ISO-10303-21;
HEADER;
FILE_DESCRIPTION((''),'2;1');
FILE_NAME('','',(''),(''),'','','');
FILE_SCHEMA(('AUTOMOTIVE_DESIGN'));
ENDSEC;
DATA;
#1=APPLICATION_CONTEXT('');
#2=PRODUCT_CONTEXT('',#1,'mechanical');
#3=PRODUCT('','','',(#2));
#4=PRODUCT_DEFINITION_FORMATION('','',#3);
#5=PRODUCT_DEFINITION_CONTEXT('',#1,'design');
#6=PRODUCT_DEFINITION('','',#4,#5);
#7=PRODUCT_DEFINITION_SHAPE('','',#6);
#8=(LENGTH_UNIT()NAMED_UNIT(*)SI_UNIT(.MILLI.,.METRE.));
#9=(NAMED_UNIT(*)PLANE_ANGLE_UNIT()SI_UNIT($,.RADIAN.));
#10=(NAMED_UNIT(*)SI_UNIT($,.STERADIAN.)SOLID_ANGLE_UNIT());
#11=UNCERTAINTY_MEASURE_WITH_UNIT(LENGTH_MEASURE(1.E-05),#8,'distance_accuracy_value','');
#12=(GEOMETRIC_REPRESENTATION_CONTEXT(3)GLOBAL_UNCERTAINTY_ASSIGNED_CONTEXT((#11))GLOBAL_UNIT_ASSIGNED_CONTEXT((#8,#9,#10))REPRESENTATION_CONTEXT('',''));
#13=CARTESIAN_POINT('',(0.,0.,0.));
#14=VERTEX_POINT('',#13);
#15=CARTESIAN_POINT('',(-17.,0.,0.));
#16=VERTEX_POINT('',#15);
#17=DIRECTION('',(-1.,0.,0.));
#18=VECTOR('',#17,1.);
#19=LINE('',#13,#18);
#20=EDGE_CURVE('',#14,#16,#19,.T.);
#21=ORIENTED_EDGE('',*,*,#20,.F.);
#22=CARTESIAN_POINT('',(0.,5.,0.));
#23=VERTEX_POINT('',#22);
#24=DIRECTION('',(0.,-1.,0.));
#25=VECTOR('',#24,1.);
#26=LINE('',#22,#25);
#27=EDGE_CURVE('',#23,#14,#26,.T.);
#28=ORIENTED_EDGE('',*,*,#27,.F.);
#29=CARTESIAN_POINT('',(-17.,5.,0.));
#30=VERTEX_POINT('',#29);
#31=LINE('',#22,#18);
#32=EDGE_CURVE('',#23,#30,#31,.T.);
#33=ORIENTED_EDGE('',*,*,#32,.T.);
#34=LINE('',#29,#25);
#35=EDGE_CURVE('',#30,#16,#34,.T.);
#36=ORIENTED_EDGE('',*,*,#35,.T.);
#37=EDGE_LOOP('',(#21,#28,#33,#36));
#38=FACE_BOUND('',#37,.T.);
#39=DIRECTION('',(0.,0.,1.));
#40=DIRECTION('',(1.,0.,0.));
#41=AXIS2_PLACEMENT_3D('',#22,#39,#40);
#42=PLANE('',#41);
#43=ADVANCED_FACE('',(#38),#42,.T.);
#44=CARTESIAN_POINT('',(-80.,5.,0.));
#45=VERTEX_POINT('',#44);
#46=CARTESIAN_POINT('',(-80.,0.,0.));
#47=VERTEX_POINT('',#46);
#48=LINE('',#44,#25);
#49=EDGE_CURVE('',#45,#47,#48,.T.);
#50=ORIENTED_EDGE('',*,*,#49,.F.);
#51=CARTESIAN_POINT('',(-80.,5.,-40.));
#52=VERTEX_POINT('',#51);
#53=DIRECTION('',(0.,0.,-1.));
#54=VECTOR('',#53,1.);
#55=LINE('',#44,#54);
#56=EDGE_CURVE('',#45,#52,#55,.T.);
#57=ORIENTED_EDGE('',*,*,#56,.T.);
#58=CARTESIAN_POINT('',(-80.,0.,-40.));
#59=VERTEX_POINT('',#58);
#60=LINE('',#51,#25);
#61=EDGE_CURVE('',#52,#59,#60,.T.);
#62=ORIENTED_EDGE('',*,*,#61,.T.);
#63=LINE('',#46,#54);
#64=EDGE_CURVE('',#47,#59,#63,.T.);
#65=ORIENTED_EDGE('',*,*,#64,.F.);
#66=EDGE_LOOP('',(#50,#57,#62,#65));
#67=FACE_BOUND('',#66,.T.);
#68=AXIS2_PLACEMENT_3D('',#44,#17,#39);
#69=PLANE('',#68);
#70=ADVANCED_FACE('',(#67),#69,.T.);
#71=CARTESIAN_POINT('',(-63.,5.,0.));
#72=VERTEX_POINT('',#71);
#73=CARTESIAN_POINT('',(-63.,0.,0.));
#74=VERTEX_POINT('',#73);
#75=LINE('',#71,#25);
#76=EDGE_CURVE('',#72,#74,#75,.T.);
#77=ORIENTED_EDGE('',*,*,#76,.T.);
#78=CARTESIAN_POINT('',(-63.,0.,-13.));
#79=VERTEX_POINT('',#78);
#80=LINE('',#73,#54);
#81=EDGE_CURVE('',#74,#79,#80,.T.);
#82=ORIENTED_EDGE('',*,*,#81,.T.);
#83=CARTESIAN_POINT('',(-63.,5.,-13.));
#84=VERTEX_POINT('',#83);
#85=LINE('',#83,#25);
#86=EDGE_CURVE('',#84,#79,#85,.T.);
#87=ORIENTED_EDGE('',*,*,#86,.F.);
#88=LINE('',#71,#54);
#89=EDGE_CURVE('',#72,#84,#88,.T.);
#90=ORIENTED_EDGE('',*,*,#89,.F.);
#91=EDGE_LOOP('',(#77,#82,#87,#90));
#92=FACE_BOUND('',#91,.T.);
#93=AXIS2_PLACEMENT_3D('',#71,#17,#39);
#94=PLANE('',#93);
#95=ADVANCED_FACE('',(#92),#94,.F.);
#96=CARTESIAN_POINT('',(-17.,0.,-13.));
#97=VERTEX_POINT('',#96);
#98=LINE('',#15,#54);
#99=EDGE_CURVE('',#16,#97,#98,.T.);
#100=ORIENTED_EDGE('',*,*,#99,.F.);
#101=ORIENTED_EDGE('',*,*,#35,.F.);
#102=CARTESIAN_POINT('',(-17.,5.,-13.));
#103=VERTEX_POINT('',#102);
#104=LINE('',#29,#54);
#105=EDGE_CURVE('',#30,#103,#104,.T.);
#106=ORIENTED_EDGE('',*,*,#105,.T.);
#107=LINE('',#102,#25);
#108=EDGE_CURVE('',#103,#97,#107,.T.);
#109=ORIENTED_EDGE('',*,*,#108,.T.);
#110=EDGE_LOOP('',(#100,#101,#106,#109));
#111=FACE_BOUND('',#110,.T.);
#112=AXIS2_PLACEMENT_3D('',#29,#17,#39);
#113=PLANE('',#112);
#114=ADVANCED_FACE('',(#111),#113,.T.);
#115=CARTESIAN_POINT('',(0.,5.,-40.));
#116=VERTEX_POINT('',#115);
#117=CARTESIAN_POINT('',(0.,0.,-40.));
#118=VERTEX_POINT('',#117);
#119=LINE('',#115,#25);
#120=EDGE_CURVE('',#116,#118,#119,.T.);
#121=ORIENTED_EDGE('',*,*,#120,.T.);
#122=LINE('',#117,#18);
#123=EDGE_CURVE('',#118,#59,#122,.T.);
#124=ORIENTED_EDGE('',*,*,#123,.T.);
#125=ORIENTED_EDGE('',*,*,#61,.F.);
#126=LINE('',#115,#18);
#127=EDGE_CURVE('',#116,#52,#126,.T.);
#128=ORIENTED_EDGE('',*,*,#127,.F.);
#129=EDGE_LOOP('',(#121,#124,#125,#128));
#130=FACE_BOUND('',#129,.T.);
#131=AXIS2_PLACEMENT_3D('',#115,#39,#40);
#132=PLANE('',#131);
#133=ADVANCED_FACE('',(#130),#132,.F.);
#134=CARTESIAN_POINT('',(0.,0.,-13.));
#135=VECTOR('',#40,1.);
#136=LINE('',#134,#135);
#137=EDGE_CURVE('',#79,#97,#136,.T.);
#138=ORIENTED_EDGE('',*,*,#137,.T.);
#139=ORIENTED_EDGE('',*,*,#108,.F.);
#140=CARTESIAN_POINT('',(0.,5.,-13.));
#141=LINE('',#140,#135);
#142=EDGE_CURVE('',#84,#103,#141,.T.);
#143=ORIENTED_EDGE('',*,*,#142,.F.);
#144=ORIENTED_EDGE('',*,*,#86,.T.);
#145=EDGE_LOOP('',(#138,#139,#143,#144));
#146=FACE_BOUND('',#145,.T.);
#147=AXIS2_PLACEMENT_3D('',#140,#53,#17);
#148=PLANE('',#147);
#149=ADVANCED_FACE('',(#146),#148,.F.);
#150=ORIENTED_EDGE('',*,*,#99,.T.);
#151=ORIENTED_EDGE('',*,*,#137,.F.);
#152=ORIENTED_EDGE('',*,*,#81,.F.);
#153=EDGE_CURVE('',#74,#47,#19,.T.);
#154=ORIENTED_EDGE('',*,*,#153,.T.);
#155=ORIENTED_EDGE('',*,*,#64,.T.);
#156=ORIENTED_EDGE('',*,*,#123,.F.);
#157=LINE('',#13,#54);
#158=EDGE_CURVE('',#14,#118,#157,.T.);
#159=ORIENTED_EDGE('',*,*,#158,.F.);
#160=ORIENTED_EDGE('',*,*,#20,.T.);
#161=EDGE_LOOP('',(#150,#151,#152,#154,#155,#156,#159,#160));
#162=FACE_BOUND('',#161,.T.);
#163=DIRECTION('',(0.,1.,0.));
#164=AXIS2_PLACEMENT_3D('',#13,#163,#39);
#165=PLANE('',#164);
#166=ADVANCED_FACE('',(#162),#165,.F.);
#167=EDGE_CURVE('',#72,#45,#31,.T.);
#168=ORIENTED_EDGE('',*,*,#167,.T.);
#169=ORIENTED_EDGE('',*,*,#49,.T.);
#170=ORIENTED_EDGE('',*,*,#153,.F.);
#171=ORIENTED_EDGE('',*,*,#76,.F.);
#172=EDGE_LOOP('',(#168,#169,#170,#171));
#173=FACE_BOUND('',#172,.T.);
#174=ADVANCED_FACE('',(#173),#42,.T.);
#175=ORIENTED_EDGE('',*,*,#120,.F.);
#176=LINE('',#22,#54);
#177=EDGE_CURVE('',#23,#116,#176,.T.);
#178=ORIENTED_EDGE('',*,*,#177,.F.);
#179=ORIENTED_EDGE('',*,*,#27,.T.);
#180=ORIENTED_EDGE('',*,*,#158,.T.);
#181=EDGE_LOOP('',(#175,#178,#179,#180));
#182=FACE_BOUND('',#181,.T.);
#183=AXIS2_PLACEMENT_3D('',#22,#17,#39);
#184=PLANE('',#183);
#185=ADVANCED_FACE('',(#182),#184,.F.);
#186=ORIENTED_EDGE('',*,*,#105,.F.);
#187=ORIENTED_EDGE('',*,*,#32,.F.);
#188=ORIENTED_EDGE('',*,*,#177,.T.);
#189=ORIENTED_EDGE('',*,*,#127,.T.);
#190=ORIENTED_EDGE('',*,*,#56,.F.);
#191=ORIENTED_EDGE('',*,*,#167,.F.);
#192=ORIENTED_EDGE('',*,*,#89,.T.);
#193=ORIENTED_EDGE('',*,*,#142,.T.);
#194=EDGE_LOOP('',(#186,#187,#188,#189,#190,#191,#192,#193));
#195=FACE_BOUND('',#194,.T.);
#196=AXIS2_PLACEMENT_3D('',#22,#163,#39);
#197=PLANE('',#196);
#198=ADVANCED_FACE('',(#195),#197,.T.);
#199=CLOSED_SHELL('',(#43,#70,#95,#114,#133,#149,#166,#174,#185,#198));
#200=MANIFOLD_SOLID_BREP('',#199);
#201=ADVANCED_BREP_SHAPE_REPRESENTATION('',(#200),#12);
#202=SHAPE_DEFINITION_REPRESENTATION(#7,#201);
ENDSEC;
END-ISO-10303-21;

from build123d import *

# Parameters (mm, degrees)
BOSS_EXTRUDE1_DEPTH = 5


with BuildPart() as part:
    # Sketch1 → Boss-Extrude1 (new body)
    with BuildSketch(Plane(origin=(0, 0, 0), x_dir=(1, 0, 0), z_dir=(0, 1, 0))):
        Polygon((-17, 0), (0, 0), (0, 40), (-80, 40), (-80, 0), (-63, 0), (-63, 13), (-17, 13), align=None)
    extrude(amount=BOSS_EXTRUDE1_DEPTH)


solid = part.part
